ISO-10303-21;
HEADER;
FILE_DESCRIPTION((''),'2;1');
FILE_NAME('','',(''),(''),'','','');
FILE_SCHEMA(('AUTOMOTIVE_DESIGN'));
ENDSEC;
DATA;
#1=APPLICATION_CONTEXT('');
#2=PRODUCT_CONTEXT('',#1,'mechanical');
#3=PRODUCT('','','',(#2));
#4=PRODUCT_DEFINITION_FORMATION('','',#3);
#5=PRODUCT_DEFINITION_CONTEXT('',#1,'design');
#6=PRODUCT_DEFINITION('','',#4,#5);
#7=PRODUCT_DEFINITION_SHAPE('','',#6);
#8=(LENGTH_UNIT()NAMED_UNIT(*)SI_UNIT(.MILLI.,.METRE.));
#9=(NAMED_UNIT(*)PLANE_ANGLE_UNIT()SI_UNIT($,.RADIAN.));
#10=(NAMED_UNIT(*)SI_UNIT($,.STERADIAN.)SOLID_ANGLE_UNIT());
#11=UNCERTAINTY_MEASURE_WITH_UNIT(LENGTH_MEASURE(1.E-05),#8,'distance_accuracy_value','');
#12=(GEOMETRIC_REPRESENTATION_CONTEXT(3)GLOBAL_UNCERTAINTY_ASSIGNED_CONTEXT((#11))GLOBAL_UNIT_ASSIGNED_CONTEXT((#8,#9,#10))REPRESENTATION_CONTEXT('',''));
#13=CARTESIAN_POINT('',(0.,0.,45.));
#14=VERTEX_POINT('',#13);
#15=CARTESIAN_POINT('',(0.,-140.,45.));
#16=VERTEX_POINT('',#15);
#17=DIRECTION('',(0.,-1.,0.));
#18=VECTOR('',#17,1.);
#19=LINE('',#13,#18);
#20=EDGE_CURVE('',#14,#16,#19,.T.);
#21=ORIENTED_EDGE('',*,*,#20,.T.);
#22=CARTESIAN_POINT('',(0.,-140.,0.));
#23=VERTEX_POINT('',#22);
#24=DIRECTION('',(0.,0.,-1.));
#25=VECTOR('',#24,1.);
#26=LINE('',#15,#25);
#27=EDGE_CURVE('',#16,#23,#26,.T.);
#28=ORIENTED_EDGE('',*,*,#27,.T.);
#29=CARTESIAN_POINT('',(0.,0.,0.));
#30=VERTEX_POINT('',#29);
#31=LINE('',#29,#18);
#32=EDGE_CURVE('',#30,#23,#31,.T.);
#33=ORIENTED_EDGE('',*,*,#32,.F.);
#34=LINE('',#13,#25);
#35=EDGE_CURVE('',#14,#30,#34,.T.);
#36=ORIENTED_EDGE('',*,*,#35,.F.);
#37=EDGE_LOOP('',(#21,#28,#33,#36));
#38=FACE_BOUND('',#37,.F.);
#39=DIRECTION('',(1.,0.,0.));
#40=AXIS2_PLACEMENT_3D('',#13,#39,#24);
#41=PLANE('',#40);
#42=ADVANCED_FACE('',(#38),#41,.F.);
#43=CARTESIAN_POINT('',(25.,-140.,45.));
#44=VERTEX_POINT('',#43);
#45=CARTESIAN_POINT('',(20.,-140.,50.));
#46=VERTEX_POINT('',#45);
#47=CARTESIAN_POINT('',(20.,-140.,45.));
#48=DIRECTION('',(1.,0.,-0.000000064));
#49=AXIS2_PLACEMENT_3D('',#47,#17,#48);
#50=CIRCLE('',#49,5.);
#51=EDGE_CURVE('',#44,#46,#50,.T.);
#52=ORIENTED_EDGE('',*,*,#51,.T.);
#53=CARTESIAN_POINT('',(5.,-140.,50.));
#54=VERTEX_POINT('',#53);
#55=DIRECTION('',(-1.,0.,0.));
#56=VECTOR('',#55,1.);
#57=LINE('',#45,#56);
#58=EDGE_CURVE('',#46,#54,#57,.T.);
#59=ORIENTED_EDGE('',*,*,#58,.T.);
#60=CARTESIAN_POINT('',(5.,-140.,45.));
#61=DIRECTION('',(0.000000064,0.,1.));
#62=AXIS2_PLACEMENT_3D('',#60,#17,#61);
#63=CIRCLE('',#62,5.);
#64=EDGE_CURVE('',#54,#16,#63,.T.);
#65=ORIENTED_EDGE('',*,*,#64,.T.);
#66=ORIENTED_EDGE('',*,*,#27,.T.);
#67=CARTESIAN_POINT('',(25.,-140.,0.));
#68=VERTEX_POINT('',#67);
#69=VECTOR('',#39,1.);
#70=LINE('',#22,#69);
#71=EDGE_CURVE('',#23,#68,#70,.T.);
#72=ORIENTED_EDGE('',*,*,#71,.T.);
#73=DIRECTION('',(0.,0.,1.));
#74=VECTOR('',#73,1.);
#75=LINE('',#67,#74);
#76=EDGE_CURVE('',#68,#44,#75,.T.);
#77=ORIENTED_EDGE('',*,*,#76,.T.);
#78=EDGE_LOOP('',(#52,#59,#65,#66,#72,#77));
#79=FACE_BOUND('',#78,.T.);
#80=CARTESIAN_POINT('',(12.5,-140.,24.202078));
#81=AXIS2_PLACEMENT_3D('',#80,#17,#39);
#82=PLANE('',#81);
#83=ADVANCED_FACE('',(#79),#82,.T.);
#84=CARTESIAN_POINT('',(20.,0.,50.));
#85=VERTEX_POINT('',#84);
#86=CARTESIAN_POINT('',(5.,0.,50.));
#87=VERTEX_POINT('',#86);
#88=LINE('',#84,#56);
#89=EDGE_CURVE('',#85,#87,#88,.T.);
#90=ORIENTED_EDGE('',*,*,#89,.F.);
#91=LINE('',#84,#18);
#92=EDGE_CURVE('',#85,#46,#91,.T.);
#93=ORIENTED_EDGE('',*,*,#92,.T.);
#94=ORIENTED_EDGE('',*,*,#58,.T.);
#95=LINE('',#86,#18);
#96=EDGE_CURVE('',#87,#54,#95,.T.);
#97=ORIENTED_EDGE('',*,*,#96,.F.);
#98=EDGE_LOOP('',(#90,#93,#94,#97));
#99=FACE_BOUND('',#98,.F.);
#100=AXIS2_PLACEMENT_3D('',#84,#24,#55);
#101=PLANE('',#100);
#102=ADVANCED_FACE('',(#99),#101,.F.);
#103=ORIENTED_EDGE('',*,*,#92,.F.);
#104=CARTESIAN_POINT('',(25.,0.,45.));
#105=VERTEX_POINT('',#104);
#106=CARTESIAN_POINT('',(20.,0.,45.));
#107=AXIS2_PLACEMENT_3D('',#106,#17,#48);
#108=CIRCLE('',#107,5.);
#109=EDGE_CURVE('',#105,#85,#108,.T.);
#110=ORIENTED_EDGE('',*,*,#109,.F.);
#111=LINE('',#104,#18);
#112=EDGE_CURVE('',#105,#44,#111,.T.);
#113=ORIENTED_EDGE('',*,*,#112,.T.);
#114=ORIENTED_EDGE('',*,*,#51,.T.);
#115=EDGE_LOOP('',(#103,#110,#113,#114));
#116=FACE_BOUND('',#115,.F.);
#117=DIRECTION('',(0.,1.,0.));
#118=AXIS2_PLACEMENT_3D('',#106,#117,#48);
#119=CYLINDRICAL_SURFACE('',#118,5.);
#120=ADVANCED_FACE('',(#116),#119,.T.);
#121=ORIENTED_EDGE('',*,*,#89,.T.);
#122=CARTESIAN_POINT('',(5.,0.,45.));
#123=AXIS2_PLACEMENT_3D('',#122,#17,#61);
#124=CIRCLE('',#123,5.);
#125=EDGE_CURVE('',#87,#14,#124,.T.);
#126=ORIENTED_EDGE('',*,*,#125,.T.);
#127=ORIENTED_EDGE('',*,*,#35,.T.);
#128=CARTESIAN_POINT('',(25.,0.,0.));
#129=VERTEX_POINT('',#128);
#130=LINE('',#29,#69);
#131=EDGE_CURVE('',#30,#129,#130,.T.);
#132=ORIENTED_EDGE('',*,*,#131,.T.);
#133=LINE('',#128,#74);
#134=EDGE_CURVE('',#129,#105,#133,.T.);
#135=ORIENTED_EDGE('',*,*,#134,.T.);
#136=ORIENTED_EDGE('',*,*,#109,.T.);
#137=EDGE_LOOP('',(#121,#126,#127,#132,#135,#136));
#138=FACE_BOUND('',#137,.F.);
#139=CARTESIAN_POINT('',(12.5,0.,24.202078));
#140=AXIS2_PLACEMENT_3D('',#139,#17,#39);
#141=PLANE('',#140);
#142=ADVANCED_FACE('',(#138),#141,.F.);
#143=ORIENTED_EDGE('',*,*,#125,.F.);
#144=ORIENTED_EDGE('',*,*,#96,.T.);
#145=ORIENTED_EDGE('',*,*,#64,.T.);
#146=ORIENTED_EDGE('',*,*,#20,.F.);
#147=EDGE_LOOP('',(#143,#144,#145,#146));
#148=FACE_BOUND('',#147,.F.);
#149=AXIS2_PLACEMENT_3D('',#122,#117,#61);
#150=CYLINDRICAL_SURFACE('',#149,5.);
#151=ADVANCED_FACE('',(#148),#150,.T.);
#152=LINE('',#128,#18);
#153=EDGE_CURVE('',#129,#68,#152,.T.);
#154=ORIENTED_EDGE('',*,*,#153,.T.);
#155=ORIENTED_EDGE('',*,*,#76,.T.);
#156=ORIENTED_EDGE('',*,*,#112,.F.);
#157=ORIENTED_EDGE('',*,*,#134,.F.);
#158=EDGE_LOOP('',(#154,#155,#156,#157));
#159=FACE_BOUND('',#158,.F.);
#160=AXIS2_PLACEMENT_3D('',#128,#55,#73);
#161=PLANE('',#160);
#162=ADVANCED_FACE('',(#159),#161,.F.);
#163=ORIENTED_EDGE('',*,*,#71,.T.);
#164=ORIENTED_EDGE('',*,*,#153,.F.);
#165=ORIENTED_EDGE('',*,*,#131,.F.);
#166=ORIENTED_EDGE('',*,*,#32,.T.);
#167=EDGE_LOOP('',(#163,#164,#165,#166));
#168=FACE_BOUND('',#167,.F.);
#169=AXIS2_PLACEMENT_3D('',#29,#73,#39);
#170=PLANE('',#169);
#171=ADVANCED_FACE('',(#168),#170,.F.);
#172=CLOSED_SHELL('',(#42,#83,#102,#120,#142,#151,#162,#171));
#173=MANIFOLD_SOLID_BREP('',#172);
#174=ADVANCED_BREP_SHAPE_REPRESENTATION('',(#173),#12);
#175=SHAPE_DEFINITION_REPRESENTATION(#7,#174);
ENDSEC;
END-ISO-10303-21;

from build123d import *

# Parameters (mm, degrees)
F1_DEPTH = 140


with BuildPart() as f1:
    # F0 (on Front) → F1 (new body)
    with BuildSketch(Plane.XZ):
        with BuildLine():
            Line((0, 45), (0, 0))
            Line((0, 0), (25, 0))
            Line((25, 0), (25, 45))
            ThreePointArc((25, 45), (23.535534, 48.535534), (20, 50))
            Line((20, 50), (5, 50))
            ThreePointArc((5, 50), (1.464466, 48.535534), (0, 45))
        make_face()
    extrude(amount=F1_DEPTH)


solid = f1.part
